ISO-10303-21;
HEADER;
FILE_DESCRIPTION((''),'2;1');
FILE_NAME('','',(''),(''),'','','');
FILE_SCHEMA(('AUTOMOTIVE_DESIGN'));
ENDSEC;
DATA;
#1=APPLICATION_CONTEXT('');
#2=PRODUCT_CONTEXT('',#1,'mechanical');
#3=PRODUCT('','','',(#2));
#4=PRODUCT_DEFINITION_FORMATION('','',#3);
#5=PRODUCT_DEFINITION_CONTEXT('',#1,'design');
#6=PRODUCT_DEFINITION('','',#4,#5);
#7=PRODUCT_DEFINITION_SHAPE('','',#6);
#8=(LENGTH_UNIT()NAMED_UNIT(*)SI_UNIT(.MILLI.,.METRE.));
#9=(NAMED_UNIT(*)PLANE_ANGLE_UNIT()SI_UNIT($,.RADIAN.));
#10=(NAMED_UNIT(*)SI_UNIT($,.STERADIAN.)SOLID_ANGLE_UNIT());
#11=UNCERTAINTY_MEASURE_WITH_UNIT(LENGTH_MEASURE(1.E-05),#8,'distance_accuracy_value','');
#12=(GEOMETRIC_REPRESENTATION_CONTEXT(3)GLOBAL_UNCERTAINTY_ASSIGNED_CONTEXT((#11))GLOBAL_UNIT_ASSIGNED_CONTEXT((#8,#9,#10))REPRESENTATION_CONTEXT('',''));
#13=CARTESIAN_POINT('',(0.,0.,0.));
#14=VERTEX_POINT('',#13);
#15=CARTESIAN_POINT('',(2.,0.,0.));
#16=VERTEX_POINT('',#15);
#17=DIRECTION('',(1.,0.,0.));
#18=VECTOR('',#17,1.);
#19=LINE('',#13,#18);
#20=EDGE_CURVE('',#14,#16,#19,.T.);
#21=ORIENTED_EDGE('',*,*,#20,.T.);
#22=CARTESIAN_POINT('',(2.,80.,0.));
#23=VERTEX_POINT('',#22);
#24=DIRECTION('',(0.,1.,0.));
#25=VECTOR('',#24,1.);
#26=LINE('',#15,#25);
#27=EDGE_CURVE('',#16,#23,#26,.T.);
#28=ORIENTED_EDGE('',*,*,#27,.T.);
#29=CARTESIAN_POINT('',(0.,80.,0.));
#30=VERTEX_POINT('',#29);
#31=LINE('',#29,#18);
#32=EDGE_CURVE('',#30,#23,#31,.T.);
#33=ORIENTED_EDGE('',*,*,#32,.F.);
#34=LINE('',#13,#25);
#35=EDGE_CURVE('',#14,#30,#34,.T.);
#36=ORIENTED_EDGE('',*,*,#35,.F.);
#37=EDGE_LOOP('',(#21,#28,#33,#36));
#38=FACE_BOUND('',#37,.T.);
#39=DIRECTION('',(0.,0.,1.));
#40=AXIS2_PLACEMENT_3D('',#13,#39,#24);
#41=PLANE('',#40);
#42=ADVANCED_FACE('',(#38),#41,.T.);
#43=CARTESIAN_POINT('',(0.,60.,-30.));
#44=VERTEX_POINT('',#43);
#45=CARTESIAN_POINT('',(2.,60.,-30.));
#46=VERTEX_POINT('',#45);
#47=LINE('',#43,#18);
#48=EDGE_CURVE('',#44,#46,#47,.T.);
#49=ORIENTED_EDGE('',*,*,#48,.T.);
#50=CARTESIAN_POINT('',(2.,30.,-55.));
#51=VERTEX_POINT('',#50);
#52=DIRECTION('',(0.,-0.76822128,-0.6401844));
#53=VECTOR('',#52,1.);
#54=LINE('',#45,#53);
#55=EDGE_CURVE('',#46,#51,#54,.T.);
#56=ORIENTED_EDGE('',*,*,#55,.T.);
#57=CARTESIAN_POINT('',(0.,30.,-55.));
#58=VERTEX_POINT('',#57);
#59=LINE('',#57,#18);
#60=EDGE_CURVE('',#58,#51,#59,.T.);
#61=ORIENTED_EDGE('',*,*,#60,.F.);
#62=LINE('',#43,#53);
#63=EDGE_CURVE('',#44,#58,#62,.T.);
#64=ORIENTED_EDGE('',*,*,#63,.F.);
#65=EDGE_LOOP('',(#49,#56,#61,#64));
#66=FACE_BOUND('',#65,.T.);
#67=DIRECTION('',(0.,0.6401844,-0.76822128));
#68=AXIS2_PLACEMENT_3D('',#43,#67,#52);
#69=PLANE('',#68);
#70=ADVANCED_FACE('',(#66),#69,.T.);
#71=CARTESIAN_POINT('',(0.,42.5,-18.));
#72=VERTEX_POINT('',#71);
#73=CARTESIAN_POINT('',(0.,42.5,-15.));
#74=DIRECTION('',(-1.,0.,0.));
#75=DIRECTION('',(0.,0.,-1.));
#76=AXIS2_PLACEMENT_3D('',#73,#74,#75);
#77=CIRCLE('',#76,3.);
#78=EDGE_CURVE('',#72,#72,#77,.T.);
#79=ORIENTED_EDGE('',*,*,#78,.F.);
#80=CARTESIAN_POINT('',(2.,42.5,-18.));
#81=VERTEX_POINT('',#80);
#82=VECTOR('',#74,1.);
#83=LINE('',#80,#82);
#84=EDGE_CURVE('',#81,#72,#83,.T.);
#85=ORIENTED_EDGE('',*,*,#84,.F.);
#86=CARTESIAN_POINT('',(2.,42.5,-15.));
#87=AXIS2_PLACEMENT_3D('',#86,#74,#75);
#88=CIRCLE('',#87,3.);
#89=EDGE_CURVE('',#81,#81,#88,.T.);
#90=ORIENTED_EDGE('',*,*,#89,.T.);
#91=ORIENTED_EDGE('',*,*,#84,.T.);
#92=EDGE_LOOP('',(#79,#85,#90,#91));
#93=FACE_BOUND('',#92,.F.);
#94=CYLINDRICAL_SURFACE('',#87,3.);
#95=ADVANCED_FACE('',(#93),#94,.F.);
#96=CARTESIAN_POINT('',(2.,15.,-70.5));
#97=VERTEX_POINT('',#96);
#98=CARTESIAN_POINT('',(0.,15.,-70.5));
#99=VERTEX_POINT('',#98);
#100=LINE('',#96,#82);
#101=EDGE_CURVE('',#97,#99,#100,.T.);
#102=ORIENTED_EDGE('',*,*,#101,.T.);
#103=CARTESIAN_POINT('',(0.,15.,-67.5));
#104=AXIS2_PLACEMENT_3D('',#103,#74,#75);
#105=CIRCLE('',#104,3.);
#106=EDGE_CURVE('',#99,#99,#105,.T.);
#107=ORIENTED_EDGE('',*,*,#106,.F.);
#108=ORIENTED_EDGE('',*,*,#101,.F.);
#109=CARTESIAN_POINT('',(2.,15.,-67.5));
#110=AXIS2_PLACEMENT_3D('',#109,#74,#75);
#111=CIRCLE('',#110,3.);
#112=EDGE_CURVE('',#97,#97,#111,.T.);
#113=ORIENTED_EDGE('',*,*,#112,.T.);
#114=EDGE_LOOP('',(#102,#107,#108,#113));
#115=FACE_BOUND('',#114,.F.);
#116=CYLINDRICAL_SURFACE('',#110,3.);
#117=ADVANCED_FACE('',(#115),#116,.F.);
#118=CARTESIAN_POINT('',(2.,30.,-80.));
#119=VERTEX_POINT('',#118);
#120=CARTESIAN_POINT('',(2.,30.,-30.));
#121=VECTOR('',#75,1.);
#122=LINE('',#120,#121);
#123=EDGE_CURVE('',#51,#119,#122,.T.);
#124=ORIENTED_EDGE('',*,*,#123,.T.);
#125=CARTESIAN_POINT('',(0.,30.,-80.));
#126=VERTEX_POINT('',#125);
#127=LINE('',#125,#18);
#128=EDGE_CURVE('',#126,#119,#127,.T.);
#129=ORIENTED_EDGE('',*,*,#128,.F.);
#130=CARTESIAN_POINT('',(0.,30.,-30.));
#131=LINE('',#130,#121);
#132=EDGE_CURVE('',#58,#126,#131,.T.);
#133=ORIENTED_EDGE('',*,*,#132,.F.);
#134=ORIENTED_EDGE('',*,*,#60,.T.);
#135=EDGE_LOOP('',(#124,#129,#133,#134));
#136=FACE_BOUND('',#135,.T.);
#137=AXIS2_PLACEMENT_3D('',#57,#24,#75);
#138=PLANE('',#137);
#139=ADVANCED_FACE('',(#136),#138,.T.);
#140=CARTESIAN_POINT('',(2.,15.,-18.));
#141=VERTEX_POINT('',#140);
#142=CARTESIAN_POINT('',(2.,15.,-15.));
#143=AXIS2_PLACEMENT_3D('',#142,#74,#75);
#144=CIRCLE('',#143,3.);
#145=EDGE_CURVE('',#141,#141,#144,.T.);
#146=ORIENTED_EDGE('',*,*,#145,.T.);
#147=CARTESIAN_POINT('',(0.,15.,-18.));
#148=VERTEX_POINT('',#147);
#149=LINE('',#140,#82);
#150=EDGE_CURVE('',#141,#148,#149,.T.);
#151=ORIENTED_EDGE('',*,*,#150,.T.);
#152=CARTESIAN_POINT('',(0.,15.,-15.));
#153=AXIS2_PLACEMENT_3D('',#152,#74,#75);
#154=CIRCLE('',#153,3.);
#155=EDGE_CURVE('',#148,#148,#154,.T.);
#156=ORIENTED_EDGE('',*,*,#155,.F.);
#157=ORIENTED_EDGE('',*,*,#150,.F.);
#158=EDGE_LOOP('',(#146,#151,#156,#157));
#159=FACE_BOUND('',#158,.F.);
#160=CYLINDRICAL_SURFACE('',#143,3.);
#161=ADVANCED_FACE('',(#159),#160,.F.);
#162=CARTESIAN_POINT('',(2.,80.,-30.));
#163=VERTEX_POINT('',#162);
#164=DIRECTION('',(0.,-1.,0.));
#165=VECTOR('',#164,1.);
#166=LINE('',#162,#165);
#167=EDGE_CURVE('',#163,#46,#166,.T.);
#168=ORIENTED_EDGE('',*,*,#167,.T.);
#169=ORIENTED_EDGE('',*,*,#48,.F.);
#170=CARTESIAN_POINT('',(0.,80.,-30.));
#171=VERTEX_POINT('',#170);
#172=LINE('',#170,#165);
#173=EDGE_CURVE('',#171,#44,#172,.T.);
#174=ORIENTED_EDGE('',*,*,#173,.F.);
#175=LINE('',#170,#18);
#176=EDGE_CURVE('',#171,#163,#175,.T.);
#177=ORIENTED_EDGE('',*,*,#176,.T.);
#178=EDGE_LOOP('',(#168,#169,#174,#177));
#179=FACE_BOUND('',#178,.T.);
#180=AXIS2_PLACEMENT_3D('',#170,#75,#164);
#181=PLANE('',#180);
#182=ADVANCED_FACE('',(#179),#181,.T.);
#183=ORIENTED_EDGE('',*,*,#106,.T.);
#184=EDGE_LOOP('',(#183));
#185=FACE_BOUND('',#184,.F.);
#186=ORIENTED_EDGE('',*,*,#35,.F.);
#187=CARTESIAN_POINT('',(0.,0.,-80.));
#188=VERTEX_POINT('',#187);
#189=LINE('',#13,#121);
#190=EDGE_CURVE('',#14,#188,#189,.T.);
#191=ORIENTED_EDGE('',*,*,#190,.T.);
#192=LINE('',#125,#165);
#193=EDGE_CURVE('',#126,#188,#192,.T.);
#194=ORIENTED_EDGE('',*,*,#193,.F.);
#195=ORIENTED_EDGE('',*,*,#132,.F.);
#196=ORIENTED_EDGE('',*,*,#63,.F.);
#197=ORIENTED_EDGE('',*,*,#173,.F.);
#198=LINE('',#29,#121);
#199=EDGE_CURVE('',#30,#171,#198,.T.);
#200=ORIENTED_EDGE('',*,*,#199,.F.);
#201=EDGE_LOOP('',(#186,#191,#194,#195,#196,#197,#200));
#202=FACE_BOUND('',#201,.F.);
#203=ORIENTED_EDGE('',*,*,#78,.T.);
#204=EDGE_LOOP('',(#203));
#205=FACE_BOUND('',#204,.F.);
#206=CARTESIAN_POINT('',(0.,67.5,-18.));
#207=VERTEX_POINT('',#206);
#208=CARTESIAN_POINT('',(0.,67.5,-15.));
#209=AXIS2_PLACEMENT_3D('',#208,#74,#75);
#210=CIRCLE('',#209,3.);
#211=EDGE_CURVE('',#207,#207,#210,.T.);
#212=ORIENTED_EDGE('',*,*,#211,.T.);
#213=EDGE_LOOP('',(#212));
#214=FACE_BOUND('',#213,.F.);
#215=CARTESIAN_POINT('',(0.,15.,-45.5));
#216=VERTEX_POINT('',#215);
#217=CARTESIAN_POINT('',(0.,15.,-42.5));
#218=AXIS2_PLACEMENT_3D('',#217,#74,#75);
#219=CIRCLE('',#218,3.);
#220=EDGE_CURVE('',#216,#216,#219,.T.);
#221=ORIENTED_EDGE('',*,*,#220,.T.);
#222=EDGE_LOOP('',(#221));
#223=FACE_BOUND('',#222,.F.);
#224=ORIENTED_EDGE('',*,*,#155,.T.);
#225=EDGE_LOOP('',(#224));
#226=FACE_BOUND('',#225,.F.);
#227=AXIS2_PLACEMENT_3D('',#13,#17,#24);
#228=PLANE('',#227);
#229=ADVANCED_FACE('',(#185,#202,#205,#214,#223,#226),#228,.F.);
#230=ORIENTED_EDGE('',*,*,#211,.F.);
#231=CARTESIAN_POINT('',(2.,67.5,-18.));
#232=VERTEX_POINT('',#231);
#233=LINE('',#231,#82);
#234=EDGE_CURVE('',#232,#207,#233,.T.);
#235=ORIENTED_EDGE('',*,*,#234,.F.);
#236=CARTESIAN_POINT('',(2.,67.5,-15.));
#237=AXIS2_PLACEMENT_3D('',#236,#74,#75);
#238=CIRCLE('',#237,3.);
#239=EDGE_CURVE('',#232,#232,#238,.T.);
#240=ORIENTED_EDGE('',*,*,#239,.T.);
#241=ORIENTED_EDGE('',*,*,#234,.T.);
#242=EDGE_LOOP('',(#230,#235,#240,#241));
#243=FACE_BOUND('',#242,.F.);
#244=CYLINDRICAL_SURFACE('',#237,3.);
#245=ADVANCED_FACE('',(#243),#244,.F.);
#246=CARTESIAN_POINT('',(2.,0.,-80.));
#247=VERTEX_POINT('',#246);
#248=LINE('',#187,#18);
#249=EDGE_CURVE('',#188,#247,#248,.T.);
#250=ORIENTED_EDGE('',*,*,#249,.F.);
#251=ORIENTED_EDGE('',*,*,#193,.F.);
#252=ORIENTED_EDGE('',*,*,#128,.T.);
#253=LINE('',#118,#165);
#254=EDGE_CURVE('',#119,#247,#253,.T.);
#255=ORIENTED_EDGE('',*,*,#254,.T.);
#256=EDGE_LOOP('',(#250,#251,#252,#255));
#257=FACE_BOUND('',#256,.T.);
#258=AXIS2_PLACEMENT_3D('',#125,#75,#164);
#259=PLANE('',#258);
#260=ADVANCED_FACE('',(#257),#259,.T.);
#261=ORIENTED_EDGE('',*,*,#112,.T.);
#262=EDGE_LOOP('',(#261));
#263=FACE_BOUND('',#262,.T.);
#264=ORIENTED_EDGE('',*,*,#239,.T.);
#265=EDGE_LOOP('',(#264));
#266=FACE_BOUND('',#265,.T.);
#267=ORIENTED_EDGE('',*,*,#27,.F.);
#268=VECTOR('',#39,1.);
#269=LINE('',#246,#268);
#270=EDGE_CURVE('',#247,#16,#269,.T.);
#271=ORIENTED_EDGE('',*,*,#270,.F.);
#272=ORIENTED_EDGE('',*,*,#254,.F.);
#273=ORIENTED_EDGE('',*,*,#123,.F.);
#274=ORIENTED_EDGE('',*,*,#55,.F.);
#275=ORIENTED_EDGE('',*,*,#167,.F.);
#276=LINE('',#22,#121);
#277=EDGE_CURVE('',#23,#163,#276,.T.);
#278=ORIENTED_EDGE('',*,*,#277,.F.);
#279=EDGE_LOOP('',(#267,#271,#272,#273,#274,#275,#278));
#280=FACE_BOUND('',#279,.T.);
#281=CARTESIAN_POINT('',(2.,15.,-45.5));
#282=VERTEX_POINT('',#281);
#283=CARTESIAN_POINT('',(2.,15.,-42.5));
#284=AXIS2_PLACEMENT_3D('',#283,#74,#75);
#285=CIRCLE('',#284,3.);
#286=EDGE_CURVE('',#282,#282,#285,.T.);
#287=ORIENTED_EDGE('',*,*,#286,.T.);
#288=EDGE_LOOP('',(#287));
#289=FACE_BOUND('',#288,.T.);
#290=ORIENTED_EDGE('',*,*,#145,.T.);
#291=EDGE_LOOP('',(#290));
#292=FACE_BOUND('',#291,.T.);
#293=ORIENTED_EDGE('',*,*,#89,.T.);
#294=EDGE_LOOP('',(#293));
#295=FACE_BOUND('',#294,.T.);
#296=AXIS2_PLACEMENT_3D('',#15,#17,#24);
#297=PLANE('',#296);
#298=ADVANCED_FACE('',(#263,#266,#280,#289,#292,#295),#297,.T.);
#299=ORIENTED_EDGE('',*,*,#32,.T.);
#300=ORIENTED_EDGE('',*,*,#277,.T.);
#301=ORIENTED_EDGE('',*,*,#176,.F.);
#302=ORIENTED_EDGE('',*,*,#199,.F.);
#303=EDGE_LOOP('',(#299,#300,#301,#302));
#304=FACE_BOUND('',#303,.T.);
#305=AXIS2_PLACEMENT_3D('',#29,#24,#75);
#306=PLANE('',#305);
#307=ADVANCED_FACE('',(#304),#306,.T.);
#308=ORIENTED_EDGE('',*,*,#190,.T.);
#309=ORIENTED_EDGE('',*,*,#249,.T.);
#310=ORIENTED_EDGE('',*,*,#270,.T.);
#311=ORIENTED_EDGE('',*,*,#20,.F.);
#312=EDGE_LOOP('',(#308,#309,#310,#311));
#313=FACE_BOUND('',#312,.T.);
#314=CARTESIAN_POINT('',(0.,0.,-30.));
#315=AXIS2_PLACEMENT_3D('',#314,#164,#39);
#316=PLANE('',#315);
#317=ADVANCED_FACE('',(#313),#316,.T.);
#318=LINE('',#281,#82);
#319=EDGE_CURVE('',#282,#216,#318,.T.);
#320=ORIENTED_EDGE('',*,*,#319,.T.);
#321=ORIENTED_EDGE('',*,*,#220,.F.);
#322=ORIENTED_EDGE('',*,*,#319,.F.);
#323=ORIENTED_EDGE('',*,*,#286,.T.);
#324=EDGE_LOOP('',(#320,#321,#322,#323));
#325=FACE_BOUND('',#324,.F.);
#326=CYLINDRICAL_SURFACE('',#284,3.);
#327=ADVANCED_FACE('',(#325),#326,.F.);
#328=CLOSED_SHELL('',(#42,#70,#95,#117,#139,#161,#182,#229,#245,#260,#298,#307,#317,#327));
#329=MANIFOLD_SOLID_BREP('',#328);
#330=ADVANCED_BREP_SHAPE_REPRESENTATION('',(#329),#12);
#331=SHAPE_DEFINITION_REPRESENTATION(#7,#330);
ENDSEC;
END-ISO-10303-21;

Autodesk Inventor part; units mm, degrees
ref_plane "YZ Plane" through (0, 0, 0) normal (1, 0, 0) x (0, 1, 0)
ref_plane "XZ Plane" through (0, 0, 0) normal (0, 1, 0) x (-1, 0, 0)
ref_plane "XY Plane" through (0, 0, 0) normal (0, 0, 1) x (1, 0, 0)
sketch "Sketch4" plane through (0, 0, 0) normal (1, 0, 0) x (0, 1, 0)
  line L0 (0, 0) -> (80, 0)
  line L1 (80, 0) -> (80, -30)
  line L2 (80, -30) -> (0, -30)
  line L3 (0, -30) -> (0, 0)
  line L4 (0, -30) -> (30, -30)
  line L5 (30, -30) -> (30, -80)
  line L6 (30, -80) -> (0, -80)
  line L7 (0, -80) -> (0, -30)
  line L8 (80, -30) -> (60, -30)
  line L9 (60, -30) -> (30, -55)
  dimension "d10" = 80
  dimension "d11" = 30
  dimension "d12" = 30
  dimension "d13" = 50
  dimension "d14" = 20
extrude "Extrusion2" add sketch "Sketch4" along normal blind 2
sketch "Sketch6" plane through (2, 0, 0) normal (1, 0, 0) x (0, 0, -1)
  line L0 (0, 0) -> (80, 0) projected
  line L1 (80, 0) -> (80, 15)
  line L2 (80, 0) -> (80, 30) projected
  line L3 (80, 15) -> (67.5, 15)
  line L4 (80, 15) -> (30, 15)
  line L5 (30, 15) -> (42.5, 15)
  line L6 (0, 0) -> (15, 0)
  line L7 (15, 0) -> (15, 15)
  line L8 (30, 80) -> (0, 80) projected
  line L9 (0, 80) -> (15, 80)
  line L10 (15, 80) -> (15, 30)
  line L11 (15, 30) -> (15, 42.5)
  line L12 (15, 80) -> (15, 67.5)
  dimension "d47" = 12.5
  dimension "d48" = 50
  dimension "d49" = 12.5
  dimension "d50" = 15
  dimension "d51" = 15
  dimension "d52" = 15
  dimension "d53" = 50
  dimension "d54" = 12.5
  dimension "d55" = 12.5
hole "Hole2" at (2, 67.5, -15) at (2, 42.5, -15) at (2, 15, -15) at (2, 15, -42.5) at (2, 15, -67.5) direction (-1, 0, 0) diameter 6 end through all
properties part number "Connect2x3030_m6" material "Aluminum 6061"
